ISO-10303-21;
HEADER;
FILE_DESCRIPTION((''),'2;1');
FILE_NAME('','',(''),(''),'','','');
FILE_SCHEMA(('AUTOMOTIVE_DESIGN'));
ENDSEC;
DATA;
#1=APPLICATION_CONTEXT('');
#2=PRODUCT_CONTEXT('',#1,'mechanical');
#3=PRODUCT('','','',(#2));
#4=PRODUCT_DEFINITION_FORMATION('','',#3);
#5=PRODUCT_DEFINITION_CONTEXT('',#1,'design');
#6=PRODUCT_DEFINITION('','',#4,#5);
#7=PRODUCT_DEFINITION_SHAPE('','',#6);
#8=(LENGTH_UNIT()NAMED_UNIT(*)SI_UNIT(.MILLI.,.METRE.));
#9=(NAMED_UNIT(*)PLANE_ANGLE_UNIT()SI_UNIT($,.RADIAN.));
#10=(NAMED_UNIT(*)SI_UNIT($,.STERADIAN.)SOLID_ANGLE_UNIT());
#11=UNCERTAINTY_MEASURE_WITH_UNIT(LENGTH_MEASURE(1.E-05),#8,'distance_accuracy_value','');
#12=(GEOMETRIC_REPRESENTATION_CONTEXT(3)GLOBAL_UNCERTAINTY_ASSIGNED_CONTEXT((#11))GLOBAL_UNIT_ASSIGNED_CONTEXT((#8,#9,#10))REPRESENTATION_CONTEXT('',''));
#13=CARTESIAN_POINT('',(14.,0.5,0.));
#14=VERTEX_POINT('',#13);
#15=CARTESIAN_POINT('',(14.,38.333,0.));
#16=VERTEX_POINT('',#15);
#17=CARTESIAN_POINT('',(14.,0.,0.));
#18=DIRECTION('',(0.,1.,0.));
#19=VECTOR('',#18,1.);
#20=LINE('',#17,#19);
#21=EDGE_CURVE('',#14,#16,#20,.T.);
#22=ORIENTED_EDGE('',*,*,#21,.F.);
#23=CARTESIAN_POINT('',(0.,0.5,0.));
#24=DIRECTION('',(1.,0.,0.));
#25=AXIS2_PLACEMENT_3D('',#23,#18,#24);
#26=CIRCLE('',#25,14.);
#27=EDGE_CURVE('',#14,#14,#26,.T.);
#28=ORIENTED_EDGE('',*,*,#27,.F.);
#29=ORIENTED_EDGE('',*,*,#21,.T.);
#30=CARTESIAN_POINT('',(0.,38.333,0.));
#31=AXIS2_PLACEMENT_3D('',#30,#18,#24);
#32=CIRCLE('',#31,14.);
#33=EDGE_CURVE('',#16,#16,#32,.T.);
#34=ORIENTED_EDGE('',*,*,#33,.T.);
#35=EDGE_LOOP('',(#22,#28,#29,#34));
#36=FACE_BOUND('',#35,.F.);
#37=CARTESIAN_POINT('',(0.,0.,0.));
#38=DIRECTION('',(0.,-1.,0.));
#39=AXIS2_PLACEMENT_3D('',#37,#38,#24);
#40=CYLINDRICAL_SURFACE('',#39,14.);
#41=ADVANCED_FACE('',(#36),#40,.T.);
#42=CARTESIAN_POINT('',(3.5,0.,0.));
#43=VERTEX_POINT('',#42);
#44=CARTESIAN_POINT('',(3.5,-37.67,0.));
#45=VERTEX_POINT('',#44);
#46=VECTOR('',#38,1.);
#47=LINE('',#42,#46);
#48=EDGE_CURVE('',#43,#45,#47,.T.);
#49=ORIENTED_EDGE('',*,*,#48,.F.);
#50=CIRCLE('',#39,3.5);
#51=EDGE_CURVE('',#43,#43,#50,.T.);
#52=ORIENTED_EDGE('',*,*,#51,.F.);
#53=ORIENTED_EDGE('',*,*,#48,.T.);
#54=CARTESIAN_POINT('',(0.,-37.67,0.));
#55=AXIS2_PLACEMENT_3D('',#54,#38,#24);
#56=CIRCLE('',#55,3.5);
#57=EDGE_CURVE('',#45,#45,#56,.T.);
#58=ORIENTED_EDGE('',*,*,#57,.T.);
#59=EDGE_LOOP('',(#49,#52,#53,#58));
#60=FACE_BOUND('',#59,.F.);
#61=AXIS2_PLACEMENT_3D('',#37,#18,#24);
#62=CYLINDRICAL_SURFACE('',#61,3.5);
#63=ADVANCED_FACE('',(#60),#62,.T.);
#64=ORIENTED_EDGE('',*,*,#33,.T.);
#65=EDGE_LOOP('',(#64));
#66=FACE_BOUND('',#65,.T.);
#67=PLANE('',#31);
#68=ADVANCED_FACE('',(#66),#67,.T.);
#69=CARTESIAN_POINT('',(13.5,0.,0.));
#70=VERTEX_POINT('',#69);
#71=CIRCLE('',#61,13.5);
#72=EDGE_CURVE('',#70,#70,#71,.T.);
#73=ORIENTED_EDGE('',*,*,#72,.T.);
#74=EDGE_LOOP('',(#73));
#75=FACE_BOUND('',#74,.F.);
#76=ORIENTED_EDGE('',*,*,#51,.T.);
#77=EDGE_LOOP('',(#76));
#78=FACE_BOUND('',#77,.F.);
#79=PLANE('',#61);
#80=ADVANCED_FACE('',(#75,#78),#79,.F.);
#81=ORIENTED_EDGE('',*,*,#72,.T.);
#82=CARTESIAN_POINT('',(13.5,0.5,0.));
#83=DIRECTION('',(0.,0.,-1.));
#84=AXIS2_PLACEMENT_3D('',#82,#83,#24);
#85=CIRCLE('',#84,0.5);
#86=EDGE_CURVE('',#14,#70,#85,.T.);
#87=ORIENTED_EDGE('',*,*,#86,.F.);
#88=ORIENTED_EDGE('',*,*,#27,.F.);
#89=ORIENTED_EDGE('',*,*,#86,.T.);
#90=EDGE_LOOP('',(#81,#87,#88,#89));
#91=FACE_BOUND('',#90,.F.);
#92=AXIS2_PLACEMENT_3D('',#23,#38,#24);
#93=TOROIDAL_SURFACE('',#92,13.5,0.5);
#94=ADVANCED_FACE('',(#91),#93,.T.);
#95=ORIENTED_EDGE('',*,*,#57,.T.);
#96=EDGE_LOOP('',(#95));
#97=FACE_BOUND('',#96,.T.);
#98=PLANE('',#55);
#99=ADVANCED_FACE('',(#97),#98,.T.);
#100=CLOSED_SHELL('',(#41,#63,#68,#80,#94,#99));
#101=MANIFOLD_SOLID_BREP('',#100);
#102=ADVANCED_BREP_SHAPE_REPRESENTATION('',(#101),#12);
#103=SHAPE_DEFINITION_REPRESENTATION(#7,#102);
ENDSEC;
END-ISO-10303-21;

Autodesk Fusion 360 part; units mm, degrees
sketch "Sketch1" plane through (0, 0, 0) normal (0, 1, 0) x (1, 0, 0)
  circle A0 centre (0, 0) radius 14
  dimension "d1" = 28
extrude "Extrude1" add sketch "Sketch1" along normal blind 38.333
fillet "Fillet1" radius 0.5 1 edges at (-13.0526, 0, 5.0626)
sketch "Sketch2" plane through (0, 0, 0) normal (0, -1, 0) x (1, 0, 0)
  circle A0 centre (0, 0) radius 13.5
  circle A1 centre (0, 0) radius 3.5
  dimension "d6" = 7
extrude "Extrude2" add sketch "Sketch2" along normal blind 37.67 contours A1
